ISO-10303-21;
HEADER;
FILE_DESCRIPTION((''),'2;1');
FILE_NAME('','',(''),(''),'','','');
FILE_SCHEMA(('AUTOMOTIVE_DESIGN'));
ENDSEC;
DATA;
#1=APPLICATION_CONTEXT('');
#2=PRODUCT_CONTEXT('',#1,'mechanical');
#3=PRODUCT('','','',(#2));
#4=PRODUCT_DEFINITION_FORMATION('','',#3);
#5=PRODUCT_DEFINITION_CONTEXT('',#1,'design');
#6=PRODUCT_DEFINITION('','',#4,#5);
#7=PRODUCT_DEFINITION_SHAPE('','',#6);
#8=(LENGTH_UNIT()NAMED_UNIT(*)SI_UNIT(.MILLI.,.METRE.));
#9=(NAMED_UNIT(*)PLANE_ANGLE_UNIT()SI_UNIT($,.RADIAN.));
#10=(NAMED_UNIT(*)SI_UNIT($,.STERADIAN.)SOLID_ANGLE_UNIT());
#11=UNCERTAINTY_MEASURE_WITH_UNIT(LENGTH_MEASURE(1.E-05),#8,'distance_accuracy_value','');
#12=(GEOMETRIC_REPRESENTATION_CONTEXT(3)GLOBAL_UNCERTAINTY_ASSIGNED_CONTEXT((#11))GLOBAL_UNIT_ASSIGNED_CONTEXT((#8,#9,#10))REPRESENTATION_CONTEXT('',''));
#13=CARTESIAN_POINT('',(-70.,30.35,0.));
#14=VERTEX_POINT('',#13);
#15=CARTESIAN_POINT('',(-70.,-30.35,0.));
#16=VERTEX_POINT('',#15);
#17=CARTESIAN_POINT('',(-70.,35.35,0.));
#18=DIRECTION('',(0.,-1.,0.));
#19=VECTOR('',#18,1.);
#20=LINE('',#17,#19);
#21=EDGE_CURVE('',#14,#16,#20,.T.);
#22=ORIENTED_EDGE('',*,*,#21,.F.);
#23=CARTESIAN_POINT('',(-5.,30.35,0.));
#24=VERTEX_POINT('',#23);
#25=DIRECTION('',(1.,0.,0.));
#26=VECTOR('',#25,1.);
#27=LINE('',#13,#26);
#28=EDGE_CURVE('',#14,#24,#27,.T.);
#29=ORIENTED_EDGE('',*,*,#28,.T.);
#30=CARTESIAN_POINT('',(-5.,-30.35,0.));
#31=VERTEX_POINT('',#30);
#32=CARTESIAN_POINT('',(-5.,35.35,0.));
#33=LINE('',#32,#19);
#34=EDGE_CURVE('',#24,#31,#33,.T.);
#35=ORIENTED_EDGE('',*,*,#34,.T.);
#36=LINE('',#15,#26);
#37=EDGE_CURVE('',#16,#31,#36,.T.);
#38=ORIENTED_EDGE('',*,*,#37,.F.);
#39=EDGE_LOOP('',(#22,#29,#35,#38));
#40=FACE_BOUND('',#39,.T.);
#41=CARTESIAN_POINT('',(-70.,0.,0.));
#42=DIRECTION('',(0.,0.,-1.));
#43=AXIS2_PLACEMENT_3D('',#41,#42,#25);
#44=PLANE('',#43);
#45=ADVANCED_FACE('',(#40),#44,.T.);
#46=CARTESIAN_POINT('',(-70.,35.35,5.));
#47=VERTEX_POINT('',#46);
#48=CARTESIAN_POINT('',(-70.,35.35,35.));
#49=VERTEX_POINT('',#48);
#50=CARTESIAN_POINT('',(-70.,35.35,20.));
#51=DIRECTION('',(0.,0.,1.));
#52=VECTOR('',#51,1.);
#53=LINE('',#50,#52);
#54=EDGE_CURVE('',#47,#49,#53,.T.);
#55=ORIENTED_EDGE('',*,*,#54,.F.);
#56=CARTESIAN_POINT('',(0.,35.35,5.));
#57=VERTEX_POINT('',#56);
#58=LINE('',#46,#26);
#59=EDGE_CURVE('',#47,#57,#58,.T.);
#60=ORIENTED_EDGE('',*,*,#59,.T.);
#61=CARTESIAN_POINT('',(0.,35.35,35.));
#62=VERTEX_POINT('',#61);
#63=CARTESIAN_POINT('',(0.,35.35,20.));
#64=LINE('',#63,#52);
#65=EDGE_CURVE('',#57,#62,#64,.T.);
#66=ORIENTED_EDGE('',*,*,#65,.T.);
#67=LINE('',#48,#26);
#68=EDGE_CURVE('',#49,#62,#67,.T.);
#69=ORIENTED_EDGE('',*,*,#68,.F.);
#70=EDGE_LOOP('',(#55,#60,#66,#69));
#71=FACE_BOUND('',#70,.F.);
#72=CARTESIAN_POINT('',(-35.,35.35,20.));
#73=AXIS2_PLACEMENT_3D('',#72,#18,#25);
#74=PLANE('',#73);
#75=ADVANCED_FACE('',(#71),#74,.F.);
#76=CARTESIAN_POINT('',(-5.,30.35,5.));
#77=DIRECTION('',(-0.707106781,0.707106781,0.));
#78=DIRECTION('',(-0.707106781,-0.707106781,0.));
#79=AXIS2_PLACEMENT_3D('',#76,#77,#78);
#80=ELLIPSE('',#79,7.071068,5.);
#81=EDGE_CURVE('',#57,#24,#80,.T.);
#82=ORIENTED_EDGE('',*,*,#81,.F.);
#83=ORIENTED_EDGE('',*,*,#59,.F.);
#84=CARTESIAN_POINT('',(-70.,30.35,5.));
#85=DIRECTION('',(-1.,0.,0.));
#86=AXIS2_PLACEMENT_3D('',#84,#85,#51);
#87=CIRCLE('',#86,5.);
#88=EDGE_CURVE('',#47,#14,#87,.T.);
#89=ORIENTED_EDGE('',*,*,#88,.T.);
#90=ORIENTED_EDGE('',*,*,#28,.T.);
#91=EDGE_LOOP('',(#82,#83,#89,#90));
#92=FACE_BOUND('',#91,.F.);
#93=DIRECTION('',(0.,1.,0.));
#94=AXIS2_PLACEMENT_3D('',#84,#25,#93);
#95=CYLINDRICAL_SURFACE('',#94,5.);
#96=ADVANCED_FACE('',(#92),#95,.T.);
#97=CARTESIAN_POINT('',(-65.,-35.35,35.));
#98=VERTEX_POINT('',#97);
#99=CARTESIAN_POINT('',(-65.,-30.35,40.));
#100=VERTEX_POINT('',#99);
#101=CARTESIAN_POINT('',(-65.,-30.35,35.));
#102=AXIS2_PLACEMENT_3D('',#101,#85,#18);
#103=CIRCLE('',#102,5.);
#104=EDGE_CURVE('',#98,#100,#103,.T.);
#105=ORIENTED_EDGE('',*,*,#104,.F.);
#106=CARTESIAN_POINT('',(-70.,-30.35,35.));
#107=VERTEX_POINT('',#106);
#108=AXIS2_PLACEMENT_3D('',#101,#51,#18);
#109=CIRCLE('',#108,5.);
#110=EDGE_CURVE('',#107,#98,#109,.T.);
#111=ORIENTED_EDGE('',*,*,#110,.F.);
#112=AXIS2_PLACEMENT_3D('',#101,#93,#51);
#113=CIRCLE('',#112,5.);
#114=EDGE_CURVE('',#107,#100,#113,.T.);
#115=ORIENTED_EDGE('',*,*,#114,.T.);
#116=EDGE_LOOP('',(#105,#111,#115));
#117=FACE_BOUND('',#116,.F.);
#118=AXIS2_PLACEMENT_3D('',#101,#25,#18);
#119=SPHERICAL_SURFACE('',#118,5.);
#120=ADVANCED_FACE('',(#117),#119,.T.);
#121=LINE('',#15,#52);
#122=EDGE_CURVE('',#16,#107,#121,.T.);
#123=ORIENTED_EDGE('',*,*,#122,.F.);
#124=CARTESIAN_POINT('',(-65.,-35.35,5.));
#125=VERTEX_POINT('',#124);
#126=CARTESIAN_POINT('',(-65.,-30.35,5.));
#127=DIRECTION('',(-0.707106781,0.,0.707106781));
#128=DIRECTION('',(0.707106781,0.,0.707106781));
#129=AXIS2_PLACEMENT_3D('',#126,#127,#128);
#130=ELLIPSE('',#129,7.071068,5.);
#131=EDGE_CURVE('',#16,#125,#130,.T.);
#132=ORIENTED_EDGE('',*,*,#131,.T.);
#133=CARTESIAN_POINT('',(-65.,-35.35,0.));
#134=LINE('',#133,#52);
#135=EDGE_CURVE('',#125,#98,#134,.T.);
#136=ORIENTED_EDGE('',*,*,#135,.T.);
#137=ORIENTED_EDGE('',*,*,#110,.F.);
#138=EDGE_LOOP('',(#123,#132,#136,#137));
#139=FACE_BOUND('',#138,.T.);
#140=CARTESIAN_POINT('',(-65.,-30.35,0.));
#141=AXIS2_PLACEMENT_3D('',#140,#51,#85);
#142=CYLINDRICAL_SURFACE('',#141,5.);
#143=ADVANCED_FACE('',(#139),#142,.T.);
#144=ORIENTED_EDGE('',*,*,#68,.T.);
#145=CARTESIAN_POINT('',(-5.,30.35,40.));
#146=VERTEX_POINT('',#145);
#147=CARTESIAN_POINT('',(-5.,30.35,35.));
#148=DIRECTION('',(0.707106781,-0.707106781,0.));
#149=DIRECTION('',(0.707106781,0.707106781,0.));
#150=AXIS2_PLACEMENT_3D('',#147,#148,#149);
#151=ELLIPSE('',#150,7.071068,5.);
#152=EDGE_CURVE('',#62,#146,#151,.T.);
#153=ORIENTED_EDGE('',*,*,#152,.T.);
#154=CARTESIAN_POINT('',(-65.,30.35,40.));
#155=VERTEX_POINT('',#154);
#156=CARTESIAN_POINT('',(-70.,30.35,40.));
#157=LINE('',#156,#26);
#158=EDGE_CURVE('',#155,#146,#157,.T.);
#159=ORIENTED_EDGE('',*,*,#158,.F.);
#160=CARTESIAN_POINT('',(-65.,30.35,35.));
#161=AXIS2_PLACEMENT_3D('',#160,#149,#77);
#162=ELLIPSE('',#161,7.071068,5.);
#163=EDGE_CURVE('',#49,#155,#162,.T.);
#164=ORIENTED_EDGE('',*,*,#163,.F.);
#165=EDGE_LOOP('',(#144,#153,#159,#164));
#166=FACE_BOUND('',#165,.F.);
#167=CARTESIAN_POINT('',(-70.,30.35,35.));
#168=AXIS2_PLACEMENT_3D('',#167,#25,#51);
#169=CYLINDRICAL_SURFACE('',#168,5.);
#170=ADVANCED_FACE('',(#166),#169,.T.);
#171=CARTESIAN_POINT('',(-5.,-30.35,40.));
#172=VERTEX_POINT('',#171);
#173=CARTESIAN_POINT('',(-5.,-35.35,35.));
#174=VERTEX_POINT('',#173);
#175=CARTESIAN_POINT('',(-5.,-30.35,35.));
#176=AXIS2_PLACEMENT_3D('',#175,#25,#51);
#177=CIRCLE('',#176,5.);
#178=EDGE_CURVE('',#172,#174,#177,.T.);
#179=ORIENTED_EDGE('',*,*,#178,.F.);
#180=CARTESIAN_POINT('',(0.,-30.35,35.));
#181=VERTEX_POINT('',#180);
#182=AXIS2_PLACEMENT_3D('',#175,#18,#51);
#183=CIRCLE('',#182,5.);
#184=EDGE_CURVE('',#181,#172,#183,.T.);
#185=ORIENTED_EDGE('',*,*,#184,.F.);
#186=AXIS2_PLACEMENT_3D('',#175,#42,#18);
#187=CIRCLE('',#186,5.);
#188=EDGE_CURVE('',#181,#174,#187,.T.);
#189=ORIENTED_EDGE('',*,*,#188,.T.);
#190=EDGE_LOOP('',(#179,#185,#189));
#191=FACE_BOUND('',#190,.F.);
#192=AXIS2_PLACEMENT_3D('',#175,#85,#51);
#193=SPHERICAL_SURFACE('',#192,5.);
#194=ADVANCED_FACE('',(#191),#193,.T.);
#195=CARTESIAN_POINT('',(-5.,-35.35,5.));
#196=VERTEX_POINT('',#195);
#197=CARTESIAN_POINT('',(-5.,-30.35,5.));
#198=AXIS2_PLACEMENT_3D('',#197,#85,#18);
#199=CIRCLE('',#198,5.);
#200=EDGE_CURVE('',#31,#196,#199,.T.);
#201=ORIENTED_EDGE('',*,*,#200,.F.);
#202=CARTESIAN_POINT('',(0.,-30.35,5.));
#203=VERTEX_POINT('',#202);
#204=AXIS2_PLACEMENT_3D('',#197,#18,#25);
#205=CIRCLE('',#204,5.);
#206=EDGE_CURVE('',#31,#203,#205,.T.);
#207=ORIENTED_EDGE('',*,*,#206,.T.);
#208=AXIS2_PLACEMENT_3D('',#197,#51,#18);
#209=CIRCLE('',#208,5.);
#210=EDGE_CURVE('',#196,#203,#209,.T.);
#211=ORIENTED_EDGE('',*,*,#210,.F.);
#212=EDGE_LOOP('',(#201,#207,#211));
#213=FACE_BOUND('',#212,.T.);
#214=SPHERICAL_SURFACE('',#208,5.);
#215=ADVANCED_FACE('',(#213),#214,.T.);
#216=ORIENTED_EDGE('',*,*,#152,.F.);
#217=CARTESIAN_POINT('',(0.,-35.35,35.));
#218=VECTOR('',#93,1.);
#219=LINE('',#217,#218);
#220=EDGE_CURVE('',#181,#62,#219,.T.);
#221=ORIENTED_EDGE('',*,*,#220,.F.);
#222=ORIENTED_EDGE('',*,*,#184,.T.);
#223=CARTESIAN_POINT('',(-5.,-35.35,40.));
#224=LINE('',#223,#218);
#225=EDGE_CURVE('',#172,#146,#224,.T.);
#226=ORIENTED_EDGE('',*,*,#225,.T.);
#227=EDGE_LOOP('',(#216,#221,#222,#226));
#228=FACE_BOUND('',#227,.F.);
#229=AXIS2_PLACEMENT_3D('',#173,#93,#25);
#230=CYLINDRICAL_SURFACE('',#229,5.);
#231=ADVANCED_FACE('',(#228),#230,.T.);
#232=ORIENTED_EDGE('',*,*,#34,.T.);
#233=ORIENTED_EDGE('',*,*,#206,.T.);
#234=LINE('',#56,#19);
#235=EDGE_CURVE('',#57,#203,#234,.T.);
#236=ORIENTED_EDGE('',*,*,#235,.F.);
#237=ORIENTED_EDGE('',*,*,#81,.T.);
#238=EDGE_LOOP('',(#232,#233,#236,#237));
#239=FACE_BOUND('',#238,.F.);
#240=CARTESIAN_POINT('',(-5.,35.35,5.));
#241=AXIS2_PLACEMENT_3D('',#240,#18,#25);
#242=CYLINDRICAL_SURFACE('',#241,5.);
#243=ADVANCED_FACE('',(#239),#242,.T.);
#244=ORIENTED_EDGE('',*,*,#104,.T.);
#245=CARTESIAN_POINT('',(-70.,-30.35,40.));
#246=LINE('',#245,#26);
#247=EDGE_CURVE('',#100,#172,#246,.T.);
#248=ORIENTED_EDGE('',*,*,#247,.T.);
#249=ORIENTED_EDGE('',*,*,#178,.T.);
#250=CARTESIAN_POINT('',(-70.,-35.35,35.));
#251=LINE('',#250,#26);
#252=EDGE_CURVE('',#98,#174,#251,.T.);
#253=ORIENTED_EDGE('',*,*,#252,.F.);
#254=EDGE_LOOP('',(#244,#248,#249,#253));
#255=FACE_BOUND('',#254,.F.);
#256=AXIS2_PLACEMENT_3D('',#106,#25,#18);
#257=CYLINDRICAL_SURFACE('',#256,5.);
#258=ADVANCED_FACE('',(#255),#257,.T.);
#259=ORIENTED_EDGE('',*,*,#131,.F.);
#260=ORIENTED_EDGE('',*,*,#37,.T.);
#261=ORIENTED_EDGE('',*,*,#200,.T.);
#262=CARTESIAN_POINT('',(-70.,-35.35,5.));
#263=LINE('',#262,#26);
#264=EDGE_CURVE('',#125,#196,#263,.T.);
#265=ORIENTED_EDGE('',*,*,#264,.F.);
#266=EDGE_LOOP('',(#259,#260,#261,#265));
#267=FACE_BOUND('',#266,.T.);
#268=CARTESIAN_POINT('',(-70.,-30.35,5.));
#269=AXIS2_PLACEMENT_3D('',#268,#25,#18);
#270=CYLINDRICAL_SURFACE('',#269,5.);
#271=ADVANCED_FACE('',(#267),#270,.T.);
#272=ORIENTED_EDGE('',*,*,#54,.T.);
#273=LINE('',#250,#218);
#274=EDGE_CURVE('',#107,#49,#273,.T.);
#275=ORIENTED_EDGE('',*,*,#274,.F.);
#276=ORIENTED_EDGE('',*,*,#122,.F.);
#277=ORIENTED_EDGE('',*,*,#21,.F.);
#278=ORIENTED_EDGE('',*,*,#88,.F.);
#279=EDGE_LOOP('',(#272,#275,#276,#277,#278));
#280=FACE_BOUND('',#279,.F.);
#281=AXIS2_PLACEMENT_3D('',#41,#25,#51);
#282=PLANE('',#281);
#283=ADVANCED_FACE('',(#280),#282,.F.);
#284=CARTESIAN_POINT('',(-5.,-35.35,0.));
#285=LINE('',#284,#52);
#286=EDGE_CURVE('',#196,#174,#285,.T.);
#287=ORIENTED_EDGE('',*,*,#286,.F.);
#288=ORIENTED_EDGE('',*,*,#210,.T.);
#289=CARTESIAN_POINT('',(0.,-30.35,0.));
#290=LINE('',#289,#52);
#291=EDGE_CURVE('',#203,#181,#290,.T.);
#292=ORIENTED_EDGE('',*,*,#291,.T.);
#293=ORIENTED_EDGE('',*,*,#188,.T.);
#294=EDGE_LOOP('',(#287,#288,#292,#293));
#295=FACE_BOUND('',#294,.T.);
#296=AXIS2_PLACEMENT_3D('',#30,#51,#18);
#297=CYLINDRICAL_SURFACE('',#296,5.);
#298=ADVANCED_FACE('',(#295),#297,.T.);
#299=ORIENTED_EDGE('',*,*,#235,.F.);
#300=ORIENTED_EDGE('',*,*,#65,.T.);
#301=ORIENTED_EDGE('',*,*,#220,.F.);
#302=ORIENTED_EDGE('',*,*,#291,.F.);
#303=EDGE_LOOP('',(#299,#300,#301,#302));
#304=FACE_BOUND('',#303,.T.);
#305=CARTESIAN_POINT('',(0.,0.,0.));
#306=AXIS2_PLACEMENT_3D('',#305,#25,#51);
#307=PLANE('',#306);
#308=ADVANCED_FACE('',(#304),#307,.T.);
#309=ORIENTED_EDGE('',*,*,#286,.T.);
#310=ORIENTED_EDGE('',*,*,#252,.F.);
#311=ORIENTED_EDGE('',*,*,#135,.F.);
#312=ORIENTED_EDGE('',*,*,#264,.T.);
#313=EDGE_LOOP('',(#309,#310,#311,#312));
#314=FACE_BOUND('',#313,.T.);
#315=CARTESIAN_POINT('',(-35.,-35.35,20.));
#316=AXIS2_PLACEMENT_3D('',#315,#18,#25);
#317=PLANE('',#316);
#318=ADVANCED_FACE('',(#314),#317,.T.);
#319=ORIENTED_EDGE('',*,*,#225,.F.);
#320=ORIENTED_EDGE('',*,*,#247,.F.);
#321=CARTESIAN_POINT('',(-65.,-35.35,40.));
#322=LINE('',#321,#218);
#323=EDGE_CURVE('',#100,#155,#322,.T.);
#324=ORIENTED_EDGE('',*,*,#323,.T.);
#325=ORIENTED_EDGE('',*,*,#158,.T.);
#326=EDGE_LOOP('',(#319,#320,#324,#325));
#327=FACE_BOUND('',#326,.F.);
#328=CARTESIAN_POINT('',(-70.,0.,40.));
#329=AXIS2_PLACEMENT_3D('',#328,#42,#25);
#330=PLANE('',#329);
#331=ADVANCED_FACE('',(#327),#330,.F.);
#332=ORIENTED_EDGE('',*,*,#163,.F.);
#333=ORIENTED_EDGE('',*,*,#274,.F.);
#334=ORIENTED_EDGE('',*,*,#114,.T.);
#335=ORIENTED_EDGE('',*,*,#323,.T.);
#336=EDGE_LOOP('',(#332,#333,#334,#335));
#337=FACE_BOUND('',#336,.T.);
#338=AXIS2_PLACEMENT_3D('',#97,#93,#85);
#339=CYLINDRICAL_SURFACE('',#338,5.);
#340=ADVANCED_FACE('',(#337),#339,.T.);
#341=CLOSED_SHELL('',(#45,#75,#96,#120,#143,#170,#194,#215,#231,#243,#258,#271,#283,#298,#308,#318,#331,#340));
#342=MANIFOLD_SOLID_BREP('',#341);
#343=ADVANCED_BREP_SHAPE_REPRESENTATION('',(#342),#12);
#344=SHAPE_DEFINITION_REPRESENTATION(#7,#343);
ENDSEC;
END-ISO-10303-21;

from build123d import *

# Parameters (mm, degrees)
F0_W     = 70
F0_H     = 40
F1_DEPTH = 35.35
F2_R     = 5


with BuildPart() as f1:
    # F0 (on Front) → F1 (new body, symmetric)
    with BuildSketch(Plane.XZ):
        with Locations((-35, 20)):
            Rectangle(F0_W, F0_H)
    extrude(amount=F1_DEPTH, both=True)

    # F2
    f2_edges = [f1.edges().sort_by_distance(p)[0] for p in [
        (-35, -35.35, 40),
        (0, 0, 40),
        (0, -35.35, 20),
        (-70, -35.35, 20),
        (-35, -35.35, 0),
        (-70, 0, 40),
        (-35, 35.35, 40),
        (0, 0, 0),
        (-35, 35.35, 0),
    ]]
    fillet(f2_edges, radius=F2_R)


solid = f1.part
